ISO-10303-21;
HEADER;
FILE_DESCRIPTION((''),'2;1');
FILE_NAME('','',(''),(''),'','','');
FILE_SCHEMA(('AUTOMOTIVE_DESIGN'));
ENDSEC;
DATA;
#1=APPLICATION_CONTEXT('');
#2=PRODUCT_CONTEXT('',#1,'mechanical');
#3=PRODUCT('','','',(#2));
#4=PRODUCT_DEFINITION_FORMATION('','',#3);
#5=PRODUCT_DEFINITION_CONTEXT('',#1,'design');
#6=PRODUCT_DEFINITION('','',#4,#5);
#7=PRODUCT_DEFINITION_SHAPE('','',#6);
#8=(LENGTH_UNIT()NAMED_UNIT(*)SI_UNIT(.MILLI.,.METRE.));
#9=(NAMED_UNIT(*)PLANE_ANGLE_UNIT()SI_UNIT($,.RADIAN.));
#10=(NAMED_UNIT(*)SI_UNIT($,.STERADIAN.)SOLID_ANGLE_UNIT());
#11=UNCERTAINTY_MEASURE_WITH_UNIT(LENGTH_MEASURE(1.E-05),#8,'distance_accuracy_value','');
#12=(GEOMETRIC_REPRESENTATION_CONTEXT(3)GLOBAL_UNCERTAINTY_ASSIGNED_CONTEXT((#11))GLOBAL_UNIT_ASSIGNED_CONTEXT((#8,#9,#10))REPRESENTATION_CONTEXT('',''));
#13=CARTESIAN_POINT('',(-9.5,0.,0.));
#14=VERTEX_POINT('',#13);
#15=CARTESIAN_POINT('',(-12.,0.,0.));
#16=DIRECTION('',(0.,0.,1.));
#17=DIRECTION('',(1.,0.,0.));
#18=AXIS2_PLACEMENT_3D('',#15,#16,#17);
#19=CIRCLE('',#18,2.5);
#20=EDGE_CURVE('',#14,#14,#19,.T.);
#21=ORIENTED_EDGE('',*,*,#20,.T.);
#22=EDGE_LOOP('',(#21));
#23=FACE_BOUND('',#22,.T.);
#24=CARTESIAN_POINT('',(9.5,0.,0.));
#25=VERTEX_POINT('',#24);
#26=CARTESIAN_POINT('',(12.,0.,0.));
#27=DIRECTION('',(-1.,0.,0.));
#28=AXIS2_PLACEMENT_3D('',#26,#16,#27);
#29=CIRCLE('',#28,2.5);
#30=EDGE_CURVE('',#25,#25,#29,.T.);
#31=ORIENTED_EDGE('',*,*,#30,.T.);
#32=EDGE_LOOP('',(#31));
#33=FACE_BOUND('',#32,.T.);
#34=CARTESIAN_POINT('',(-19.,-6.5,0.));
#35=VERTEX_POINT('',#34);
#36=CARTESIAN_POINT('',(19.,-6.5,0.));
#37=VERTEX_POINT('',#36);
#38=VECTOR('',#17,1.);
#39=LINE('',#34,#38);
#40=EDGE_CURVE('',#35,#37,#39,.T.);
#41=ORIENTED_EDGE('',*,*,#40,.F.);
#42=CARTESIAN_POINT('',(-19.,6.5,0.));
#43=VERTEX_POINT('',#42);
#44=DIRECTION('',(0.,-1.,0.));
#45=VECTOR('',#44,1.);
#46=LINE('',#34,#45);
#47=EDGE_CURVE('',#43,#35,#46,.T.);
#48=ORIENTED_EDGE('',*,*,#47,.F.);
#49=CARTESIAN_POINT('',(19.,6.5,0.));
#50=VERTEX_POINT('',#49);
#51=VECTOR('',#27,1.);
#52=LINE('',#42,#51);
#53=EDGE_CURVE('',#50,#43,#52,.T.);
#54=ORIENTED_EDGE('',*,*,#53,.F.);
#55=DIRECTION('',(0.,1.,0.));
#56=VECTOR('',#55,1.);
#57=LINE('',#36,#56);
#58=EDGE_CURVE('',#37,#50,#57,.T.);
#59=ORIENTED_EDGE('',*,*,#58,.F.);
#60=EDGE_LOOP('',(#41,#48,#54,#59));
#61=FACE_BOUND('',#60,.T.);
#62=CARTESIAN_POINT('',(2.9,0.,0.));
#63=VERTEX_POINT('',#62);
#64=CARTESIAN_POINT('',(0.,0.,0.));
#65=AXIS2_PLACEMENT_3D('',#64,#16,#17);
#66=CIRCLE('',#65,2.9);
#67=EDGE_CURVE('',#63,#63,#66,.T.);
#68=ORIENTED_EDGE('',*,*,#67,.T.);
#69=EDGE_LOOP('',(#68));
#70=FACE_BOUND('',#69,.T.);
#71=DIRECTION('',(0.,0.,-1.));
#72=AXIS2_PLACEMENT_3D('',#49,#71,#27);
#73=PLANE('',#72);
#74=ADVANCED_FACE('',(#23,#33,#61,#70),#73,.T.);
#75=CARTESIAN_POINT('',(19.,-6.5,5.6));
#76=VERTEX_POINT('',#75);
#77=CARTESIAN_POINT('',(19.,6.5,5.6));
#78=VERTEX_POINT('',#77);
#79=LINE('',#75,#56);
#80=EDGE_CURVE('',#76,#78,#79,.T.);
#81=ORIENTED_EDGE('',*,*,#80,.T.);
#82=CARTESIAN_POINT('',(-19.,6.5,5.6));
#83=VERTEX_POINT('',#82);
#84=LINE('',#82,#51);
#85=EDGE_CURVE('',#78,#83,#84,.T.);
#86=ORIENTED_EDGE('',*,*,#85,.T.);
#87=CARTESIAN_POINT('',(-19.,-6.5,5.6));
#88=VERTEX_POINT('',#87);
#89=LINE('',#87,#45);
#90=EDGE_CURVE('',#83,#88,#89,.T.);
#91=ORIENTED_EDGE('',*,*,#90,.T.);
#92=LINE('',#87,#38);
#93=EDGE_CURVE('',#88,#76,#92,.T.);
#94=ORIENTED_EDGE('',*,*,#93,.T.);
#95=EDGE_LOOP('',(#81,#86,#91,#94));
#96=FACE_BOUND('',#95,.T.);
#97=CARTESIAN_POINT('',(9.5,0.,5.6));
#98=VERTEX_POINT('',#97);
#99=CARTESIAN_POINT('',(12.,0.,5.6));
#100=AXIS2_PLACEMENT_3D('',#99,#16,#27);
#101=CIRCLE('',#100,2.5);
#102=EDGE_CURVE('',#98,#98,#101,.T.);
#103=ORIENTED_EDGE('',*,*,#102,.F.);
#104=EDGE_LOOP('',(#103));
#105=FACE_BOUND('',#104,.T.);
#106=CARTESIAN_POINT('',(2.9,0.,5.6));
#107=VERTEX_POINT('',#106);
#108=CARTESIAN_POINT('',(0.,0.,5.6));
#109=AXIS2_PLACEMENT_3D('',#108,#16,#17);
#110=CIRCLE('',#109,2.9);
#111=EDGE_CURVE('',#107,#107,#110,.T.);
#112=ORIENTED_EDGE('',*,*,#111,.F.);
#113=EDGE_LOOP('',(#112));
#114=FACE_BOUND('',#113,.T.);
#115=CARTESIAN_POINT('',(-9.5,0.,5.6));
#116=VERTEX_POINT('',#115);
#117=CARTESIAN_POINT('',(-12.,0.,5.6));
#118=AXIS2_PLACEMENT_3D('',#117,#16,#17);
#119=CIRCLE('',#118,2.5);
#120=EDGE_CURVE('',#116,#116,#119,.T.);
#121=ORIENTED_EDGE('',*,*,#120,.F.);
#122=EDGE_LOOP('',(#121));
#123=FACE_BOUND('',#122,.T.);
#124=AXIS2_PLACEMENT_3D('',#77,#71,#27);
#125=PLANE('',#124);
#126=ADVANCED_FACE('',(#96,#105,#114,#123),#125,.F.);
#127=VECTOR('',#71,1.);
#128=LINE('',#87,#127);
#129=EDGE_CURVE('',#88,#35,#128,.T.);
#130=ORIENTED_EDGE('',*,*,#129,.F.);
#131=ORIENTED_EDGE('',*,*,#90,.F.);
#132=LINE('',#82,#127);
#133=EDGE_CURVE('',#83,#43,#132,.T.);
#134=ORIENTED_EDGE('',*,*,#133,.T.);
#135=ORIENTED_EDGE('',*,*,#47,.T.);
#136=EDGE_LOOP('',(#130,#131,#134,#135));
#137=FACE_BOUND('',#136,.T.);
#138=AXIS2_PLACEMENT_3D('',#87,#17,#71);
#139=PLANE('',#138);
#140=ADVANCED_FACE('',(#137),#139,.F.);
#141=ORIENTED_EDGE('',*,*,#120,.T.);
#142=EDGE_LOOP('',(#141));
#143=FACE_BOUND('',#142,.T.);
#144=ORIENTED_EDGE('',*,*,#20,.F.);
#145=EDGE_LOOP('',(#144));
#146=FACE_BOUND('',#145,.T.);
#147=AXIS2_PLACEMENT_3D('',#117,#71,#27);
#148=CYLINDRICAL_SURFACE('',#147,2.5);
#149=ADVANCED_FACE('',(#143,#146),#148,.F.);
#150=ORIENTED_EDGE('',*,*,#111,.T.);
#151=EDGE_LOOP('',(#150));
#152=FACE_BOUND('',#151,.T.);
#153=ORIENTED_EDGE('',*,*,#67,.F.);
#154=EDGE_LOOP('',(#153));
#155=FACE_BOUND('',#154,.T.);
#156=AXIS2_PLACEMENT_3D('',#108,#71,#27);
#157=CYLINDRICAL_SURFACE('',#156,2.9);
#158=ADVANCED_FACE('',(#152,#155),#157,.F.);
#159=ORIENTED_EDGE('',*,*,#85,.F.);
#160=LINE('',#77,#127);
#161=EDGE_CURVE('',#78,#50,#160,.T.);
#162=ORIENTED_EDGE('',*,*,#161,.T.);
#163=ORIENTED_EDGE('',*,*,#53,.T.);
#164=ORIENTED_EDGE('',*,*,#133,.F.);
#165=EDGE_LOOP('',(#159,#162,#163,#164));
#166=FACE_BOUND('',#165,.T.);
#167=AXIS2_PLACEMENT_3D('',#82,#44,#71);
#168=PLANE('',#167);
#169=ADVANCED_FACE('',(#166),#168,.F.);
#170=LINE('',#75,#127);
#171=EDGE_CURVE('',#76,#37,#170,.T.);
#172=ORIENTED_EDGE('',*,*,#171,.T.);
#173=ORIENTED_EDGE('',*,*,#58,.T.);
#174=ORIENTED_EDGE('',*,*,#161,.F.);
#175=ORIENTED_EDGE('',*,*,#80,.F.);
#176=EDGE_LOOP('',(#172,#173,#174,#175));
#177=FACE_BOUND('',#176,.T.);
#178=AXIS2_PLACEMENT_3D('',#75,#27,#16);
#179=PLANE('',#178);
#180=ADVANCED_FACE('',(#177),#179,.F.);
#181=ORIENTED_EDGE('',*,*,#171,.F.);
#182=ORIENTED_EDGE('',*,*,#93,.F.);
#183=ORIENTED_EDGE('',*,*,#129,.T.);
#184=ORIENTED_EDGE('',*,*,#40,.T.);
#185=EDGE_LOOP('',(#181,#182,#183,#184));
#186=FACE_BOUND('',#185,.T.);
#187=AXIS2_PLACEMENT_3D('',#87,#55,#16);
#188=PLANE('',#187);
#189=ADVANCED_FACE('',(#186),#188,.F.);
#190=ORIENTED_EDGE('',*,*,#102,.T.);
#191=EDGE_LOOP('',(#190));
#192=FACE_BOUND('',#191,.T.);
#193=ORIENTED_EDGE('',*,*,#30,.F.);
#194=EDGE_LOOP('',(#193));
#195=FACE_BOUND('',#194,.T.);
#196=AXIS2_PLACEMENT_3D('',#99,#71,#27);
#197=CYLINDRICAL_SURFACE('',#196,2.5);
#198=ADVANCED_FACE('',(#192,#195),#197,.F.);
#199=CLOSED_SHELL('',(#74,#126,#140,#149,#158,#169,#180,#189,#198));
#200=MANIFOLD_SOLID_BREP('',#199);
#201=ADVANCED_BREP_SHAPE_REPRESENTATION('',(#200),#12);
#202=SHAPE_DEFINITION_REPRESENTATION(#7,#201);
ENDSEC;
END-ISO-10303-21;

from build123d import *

# Parameters (mm, degrees)
SKETCH1_W           = 38
SKETCH1_H           = 13
SKETCH1_R           = 2.9
SKETCH1_R_2         = 2.5
BOSS_EXTRUDE1_DEPTH = 5.6


with BuildPart() as part:
    # Sketch1 → Boss-Extrude1 (new body)
    with BuildSketch(Plane.XY):
        Rectangle(SKETCH1_W, SKETCH1_H)
        Circle(SKETCH1_R, mode=Mode.SUBTRACT)
        with Locations((-12, 0)):
            Circle(SKETCH1_R_2, mode=Mode.SUBTRACT)
        with Locations((12, 0)):
            Circle(SKETCH1_R_2, mode=Mode.SUBTRACT)
    extrude(amount=BOSS_EXTRUDE1_DEPTH)


solid = part.part
